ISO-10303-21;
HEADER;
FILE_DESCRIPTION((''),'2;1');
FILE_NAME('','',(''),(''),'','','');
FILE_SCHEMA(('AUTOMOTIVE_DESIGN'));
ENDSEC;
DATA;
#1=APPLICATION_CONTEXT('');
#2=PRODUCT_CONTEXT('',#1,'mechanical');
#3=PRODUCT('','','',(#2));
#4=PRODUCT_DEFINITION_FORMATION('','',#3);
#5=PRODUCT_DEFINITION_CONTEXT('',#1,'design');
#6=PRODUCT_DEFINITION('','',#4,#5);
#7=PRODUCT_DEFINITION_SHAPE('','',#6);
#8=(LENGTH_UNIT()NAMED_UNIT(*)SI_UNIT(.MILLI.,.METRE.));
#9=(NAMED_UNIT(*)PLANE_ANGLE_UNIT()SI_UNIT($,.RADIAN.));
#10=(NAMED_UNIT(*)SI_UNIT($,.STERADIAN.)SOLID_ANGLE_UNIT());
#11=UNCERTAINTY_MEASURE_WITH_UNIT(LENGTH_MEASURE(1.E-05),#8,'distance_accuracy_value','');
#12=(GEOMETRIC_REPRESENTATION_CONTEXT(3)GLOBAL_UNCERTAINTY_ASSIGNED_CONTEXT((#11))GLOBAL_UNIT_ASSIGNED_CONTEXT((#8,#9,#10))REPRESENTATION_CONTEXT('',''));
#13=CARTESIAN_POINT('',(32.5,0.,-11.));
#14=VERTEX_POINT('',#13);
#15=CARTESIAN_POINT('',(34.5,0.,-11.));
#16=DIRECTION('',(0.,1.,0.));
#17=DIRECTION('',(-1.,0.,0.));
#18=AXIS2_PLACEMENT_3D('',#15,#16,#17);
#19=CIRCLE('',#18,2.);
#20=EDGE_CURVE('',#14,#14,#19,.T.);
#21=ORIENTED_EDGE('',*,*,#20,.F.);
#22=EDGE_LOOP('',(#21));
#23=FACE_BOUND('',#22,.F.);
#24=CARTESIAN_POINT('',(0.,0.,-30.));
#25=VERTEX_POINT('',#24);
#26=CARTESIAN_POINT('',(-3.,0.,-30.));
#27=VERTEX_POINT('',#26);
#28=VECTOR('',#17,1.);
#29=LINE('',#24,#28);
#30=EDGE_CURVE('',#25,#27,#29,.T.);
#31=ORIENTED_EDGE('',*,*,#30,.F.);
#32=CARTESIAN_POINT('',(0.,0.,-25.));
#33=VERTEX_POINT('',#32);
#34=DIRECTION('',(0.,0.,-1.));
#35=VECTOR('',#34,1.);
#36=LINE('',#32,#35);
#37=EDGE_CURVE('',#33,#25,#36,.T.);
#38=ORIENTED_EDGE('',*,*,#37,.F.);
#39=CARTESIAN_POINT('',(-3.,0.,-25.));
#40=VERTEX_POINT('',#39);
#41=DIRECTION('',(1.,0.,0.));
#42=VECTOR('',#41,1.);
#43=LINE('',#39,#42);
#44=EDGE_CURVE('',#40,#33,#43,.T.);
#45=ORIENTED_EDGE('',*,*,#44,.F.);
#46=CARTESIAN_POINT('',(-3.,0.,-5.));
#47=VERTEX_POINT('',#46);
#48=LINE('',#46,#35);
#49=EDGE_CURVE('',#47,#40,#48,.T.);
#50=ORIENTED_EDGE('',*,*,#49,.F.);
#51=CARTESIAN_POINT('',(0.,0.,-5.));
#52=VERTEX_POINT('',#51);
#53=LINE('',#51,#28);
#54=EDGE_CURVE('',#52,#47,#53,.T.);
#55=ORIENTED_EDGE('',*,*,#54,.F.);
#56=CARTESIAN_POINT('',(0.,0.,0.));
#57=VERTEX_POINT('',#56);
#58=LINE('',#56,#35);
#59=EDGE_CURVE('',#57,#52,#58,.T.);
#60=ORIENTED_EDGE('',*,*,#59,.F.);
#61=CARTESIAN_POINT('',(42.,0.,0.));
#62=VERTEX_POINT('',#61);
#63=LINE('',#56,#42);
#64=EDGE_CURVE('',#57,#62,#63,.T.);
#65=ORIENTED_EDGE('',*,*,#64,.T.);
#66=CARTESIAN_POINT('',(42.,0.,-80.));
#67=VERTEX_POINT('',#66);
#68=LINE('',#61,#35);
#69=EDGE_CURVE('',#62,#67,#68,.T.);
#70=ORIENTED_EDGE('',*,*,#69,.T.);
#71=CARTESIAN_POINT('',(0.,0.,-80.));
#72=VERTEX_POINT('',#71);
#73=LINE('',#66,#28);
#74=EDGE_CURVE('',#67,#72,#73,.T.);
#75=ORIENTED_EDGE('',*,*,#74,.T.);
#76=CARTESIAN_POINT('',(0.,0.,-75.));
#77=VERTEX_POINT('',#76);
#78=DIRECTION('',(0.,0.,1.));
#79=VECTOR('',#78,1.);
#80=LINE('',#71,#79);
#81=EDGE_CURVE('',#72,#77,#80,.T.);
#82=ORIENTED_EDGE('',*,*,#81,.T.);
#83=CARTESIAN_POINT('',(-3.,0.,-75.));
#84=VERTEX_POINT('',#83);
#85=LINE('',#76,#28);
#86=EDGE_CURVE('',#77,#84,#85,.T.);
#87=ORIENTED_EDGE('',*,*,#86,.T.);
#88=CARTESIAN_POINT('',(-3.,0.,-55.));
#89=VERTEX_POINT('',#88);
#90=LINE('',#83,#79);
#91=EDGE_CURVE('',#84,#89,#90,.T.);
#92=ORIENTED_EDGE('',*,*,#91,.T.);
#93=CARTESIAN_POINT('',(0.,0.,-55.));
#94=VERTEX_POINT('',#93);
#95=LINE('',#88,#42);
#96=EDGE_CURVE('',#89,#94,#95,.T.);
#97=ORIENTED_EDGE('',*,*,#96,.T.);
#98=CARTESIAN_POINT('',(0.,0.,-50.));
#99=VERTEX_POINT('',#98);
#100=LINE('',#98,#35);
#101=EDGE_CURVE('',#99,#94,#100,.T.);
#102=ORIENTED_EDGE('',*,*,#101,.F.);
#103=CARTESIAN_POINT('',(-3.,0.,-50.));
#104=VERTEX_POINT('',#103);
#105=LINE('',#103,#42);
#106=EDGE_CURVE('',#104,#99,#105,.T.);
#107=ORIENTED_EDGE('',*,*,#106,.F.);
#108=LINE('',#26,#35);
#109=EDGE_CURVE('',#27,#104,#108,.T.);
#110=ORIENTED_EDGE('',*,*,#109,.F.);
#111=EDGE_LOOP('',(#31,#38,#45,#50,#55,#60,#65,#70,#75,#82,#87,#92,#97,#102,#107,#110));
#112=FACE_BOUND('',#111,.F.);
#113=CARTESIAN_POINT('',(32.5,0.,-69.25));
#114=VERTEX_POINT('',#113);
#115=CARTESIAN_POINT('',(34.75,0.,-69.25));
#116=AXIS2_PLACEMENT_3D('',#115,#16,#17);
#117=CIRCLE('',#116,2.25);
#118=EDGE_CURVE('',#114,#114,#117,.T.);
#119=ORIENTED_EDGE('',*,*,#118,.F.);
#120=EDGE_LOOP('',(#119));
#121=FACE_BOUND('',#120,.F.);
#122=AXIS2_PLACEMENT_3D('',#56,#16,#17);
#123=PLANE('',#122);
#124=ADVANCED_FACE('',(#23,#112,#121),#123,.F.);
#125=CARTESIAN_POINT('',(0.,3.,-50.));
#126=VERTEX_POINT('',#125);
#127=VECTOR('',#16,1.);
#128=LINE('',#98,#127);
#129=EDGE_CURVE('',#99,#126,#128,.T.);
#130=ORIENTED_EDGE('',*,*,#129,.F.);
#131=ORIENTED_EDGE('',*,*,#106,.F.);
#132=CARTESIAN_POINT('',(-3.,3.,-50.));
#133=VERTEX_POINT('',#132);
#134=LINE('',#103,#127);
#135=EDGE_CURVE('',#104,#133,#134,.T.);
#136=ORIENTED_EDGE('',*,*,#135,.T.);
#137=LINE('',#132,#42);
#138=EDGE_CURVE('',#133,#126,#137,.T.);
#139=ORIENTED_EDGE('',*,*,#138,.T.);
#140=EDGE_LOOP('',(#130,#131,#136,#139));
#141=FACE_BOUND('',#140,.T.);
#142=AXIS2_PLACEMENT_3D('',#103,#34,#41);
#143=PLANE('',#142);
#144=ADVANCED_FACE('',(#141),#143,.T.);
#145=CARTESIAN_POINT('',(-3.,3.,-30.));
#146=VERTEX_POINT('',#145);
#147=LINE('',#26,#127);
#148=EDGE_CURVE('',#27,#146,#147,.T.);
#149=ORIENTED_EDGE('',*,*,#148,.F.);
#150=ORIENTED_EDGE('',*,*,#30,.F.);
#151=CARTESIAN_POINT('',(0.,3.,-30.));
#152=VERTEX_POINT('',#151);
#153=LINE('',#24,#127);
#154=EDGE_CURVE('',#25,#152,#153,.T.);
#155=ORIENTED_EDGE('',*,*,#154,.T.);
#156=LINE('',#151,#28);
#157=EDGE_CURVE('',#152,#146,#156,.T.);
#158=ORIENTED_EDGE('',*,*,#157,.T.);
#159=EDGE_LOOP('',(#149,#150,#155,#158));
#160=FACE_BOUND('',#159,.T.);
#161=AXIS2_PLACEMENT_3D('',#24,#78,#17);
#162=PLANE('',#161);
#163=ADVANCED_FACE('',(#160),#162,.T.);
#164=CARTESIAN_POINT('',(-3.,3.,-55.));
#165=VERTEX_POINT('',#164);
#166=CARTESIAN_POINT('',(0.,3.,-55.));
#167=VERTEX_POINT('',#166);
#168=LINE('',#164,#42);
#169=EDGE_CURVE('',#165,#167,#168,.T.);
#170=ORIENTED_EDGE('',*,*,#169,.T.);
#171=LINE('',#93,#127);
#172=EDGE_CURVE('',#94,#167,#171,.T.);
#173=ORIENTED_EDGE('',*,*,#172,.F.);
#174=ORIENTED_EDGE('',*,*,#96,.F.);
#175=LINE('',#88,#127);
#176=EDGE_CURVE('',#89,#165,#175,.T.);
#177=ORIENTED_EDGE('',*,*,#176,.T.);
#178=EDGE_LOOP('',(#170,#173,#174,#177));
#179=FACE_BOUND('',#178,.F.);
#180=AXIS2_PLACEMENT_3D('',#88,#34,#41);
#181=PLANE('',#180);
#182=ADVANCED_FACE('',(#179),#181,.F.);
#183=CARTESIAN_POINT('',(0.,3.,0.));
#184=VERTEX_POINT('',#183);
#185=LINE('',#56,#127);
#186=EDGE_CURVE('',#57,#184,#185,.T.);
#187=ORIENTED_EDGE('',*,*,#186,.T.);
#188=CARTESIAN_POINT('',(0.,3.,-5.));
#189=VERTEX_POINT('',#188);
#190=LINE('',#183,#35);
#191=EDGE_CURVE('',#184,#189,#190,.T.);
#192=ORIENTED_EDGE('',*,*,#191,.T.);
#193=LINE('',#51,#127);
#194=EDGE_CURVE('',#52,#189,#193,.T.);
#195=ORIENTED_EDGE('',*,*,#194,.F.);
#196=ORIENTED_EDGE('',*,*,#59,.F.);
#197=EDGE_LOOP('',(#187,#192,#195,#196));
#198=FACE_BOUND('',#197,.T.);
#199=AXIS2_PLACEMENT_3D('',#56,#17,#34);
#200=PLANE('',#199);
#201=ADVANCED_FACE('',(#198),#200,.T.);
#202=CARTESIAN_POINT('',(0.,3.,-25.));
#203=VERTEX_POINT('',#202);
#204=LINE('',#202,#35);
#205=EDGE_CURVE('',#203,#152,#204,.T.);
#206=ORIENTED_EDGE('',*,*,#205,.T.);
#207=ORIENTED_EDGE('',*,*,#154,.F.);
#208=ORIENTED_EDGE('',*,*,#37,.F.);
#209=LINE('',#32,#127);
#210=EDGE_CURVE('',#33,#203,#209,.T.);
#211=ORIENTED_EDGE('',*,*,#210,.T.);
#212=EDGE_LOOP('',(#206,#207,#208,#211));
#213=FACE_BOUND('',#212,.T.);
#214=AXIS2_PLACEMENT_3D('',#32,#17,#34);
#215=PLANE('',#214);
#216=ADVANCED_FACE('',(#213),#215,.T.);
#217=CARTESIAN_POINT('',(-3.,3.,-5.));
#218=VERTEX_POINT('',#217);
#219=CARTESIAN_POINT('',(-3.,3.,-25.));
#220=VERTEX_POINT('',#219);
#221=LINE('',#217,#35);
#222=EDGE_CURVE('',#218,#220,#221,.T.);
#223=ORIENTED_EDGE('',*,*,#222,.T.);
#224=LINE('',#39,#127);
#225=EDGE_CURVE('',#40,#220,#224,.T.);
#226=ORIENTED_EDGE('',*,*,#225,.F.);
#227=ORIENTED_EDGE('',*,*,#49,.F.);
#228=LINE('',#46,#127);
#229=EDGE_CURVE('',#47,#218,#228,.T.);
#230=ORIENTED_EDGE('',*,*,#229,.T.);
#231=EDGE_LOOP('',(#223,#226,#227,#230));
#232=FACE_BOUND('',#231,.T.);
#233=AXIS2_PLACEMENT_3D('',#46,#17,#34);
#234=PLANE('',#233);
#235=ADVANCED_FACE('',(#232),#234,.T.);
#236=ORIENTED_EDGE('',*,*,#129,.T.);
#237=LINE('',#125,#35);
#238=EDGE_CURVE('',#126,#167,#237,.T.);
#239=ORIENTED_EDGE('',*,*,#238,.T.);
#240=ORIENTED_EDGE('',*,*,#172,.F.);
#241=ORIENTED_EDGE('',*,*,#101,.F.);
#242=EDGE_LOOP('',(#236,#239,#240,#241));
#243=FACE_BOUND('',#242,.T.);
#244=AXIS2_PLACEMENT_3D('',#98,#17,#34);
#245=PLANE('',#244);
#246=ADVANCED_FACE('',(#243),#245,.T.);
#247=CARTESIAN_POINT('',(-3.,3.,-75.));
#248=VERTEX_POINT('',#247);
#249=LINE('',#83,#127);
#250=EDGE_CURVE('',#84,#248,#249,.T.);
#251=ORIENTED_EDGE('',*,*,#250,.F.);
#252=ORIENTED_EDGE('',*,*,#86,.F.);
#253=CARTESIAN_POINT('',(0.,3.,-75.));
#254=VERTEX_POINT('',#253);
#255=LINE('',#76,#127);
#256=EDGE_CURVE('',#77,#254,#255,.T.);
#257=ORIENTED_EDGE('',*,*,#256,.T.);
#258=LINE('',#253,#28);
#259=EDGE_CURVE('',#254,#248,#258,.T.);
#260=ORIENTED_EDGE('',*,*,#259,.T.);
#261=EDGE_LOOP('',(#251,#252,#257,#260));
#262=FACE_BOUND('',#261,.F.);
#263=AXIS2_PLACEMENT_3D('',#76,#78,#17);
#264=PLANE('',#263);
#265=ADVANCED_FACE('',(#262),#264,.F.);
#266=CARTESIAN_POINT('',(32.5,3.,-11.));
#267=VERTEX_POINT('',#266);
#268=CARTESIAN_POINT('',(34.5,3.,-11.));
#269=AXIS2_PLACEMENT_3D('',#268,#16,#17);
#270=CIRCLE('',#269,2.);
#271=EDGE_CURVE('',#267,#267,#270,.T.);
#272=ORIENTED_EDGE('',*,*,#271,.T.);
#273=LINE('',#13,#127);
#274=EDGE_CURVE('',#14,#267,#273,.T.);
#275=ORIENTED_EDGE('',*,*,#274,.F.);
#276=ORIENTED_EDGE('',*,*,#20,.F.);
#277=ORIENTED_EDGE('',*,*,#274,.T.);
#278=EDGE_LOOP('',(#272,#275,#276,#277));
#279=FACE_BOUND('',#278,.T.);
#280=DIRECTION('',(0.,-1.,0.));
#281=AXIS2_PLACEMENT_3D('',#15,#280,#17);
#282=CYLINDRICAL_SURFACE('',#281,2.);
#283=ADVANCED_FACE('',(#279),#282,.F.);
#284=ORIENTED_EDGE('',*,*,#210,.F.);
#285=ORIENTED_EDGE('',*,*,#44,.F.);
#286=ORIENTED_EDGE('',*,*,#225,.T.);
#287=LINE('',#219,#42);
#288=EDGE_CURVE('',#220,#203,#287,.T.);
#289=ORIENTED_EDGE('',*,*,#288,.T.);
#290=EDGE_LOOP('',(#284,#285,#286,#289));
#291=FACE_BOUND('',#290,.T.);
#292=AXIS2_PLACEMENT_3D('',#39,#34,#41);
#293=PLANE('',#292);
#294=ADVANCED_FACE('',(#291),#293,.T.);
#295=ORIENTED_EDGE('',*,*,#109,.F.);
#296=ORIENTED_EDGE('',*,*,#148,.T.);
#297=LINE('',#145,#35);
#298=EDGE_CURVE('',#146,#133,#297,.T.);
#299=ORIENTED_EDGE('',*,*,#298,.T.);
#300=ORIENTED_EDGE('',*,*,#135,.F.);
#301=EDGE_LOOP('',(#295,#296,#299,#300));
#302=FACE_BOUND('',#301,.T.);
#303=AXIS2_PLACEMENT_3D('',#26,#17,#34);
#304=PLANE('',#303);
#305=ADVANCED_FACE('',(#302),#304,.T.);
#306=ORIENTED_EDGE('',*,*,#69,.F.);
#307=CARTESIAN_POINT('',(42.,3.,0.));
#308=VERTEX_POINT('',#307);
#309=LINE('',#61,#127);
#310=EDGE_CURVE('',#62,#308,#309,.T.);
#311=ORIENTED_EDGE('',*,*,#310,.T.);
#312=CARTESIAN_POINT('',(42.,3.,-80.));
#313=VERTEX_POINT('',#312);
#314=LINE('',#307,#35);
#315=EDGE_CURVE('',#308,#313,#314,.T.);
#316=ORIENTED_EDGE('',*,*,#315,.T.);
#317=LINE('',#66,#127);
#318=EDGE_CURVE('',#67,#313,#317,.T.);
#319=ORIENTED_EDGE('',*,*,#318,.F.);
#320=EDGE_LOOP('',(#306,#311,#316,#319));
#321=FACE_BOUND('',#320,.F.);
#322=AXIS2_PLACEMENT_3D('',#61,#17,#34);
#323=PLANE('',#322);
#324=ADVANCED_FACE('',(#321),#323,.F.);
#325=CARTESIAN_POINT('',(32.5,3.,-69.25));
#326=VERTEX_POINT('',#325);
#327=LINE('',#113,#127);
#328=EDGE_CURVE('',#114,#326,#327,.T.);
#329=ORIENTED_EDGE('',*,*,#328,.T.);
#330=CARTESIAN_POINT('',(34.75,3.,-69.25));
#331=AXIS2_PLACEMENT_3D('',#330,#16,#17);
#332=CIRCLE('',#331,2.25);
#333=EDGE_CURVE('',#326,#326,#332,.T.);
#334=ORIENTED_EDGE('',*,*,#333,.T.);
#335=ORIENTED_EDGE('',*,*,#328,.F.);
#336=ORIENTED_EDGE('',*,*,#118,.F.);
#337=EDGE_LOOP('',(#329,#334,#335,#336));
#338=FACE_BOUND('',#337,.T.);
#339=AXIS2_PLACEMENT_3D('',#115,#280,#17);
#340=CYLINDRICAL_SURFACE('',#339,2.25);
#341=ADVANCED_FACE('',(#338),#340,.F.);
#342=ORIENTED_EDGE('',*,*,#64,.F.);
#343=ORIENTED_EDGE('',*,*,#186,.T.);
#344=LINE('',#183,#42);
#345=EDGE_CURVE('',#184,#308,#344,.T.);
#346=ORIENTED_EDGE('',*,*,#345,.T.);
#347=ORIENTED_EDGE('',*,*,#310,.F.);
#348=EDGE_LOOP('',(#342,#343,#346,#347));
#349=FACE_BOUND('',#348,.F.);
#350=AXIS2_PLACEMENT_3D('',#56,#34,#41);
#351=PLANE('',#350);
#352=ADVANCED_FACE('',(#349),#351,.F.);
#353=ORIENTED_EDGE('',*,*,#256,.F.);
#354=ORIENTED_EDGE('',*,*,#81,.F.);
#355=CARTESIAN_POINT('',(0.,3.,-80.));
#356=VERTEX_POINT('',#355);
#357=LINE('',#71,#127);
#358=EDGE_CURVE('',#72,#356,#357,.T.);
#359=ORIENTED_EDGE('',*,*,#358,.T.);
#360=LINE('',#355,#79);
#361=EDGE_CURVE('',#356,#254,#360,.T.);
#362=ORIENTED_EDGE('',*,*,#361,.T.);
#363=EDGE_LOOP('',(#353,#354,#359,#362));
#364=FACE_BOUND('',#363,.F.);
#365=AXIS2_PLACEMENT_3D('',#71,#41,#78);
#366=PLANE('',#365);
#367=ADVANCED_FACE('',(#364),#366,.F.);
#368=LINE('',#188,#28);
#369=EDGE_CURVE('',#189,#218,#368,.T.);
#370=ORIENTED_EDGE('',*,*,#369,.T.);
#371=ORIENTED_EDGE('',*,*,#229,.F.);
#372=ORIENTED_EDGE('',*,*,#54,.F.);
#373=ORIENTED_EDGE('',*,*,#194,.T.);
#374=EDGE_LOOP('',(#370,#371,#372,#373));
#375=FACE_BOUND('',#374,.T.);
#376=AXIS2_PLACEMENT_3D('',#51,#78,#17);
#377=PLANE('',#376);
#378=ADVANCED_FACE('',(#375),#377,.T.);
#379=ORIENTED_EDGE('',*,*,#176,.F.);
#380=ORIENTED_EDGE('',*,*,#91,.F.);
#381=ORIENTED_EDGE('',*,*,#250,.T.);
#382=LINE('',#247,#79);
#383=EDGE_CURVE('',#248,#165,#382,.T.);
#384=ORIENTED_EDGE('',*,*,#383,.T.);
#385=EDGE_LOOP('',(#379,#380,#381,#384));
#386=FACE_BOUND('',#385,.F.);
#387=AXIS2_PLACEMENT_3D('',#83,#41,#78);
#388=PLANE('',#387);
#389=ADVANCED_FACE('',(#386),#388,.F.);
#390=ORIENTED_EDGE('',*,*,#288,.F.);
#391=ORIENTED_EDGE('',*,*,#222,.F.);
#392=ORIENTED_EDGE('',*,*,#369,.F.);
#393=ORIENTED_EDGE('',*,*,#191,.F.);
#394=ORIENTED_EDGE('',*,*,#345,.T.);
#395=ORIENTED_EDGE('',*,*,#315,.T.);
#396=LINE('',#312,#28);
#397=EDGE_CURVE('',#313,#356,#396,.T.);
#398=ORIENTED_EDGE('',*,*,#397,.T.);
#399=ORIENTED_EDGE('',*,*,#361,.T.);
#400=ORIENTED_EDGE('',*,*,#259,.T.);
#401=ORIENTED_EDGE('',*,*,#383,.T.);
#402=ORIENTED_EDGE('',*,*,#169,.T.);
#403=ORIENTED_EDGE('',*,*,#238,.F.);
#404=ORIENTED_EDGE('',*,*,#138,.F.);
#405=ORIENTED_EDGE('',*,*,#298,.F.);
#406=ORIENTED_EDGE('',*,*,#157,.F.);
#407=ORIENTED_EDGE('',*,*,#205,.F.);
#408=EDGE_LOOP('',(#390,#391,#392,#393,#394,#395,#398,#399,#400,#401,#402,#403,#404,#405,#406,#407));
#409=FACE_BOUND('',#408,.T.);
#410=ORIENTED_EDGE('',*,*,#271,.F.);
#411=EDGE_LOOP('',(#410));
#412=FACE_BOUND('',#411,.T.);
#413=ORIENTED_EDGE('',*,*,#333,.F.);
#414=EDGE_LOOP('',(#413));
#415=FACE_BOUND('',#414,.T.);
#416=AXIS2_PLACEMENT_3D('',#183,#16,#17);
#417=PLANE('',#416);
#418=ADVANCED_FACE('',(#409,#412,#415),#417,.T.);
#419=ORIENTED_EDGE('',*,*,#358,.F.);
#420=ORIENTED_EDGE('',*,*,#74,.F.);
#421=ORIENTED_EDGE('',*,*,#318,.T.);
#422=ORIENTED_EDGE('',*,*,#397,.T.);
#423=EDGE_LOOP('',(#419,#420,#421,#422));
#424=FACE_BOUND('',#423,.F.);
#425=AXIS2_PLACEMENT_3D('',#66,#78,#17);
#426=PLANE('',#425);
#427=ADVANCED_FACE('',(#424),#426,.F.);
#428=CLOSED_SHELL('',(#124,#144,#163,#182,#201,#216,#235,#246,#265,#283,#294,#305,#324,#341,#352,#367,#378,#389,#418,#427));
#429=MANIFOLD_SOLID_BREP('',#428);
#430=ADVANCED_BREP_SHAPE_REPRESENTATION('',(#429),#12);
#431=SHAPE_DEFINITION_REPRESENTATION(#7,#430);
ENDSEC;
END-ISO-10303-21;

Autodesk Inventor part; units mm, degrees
ref_plane "YZ Plane" through (0, 0, 0) normal (1, 0, 0) x (0, 1, 0)
ref_plane "XZ Plane" through (0, 0, 0) normal (0, 1, 0) x (-1, 0, 0)
ref_plane "XY Plane" through (0, 0, 0) normal (0, 0, 1) x (1, 0, 0)
sketch "Sketch1" plane through (0, 0, 0) normal (0, 1, 0) x (-1, 0, 0)
  line L0 (0, 0) -> (-42, 0)
  line L1 (-42, 0) -> (-42, -80)
  line L2 (-42, -80) -> (0, -80)
  line L3 (0, 0) -> (0, -5)
  line L4 (0, -5) -> (3, -5)
  line L5 (3, -5) -> (3, -25)
  line L6 (3, -25) -> (0, -25)
  line L7 (0, -80) -> (0, -75)
  line L8 (0, -75) -> (3, -75)
  line L9 (3, -75) -> (3, -55)
  line L10 (3, -55) -> (0, -55)
  line L11 (0, -25) -> (0, -30)
  line L12 (0, -30) -> (3, -30)
  line L13 (3, -30) -> (3, -50)
  line L14 (3, -50) -> (0, -50)
  line L15 (0, -50) -> (0, -55)
  line L16 (0, -40) -> (0, -13) construction
  line L17 (0, -13) -> (-32.5, -13) construction
  line L18 (-32.5, -13) -> (-36.5, -13) construction
  line L19 (-36.5, -13) -> (-36.5, -9) construction
  line L20 (-36.5, -9) -> (-32.5, -9) construction
  line L21 (-32.5, -9) -> (-32.5, -13) construction
  circle A0 centre (-34.5, -11) radius 2
  line L22 (-32.5, -13) -> (-32.5, -67) construction
  line L23 (-32.5, -67) -> (-37, -67) construction
  line L24 (-37, -67) -> (-37, -71.5) construction
  line L25 (-37, -71.5) -> (-32.5, -71.5) construction
  line L26 (-32.5, -71.5) -> (-32.5, -67) construction
  circle A1 centre (-34.75, -69.25) radius 2.25
  point P0 (-36.5, -11)
  point P1 (-37, -69.25)
  dimension "d1" = 80
  dimension "d2" = 5
  dimension "d3" = 3
  dimension "d4" = 20
  dimension "d5" = 5
  dimension "d6" = 20
  dimension "d7" = 5
  dimension "d8" = 20
  dimension "d12" = 27
  dimension "d13" = 32.5
  dimension "d14" = 4
  dimension "d15" = 4
  dimension "d16" = 54
  dimension "d17" = 4.5
  dimension "d18" = 4.5
  dimension "d20" = 5
  dimension "d21" = 0
  dimension "d22" = 3
  dimension "d23" = 0
extrude "Extrusion1" add sketch "Sketch1" along normal blind 3
